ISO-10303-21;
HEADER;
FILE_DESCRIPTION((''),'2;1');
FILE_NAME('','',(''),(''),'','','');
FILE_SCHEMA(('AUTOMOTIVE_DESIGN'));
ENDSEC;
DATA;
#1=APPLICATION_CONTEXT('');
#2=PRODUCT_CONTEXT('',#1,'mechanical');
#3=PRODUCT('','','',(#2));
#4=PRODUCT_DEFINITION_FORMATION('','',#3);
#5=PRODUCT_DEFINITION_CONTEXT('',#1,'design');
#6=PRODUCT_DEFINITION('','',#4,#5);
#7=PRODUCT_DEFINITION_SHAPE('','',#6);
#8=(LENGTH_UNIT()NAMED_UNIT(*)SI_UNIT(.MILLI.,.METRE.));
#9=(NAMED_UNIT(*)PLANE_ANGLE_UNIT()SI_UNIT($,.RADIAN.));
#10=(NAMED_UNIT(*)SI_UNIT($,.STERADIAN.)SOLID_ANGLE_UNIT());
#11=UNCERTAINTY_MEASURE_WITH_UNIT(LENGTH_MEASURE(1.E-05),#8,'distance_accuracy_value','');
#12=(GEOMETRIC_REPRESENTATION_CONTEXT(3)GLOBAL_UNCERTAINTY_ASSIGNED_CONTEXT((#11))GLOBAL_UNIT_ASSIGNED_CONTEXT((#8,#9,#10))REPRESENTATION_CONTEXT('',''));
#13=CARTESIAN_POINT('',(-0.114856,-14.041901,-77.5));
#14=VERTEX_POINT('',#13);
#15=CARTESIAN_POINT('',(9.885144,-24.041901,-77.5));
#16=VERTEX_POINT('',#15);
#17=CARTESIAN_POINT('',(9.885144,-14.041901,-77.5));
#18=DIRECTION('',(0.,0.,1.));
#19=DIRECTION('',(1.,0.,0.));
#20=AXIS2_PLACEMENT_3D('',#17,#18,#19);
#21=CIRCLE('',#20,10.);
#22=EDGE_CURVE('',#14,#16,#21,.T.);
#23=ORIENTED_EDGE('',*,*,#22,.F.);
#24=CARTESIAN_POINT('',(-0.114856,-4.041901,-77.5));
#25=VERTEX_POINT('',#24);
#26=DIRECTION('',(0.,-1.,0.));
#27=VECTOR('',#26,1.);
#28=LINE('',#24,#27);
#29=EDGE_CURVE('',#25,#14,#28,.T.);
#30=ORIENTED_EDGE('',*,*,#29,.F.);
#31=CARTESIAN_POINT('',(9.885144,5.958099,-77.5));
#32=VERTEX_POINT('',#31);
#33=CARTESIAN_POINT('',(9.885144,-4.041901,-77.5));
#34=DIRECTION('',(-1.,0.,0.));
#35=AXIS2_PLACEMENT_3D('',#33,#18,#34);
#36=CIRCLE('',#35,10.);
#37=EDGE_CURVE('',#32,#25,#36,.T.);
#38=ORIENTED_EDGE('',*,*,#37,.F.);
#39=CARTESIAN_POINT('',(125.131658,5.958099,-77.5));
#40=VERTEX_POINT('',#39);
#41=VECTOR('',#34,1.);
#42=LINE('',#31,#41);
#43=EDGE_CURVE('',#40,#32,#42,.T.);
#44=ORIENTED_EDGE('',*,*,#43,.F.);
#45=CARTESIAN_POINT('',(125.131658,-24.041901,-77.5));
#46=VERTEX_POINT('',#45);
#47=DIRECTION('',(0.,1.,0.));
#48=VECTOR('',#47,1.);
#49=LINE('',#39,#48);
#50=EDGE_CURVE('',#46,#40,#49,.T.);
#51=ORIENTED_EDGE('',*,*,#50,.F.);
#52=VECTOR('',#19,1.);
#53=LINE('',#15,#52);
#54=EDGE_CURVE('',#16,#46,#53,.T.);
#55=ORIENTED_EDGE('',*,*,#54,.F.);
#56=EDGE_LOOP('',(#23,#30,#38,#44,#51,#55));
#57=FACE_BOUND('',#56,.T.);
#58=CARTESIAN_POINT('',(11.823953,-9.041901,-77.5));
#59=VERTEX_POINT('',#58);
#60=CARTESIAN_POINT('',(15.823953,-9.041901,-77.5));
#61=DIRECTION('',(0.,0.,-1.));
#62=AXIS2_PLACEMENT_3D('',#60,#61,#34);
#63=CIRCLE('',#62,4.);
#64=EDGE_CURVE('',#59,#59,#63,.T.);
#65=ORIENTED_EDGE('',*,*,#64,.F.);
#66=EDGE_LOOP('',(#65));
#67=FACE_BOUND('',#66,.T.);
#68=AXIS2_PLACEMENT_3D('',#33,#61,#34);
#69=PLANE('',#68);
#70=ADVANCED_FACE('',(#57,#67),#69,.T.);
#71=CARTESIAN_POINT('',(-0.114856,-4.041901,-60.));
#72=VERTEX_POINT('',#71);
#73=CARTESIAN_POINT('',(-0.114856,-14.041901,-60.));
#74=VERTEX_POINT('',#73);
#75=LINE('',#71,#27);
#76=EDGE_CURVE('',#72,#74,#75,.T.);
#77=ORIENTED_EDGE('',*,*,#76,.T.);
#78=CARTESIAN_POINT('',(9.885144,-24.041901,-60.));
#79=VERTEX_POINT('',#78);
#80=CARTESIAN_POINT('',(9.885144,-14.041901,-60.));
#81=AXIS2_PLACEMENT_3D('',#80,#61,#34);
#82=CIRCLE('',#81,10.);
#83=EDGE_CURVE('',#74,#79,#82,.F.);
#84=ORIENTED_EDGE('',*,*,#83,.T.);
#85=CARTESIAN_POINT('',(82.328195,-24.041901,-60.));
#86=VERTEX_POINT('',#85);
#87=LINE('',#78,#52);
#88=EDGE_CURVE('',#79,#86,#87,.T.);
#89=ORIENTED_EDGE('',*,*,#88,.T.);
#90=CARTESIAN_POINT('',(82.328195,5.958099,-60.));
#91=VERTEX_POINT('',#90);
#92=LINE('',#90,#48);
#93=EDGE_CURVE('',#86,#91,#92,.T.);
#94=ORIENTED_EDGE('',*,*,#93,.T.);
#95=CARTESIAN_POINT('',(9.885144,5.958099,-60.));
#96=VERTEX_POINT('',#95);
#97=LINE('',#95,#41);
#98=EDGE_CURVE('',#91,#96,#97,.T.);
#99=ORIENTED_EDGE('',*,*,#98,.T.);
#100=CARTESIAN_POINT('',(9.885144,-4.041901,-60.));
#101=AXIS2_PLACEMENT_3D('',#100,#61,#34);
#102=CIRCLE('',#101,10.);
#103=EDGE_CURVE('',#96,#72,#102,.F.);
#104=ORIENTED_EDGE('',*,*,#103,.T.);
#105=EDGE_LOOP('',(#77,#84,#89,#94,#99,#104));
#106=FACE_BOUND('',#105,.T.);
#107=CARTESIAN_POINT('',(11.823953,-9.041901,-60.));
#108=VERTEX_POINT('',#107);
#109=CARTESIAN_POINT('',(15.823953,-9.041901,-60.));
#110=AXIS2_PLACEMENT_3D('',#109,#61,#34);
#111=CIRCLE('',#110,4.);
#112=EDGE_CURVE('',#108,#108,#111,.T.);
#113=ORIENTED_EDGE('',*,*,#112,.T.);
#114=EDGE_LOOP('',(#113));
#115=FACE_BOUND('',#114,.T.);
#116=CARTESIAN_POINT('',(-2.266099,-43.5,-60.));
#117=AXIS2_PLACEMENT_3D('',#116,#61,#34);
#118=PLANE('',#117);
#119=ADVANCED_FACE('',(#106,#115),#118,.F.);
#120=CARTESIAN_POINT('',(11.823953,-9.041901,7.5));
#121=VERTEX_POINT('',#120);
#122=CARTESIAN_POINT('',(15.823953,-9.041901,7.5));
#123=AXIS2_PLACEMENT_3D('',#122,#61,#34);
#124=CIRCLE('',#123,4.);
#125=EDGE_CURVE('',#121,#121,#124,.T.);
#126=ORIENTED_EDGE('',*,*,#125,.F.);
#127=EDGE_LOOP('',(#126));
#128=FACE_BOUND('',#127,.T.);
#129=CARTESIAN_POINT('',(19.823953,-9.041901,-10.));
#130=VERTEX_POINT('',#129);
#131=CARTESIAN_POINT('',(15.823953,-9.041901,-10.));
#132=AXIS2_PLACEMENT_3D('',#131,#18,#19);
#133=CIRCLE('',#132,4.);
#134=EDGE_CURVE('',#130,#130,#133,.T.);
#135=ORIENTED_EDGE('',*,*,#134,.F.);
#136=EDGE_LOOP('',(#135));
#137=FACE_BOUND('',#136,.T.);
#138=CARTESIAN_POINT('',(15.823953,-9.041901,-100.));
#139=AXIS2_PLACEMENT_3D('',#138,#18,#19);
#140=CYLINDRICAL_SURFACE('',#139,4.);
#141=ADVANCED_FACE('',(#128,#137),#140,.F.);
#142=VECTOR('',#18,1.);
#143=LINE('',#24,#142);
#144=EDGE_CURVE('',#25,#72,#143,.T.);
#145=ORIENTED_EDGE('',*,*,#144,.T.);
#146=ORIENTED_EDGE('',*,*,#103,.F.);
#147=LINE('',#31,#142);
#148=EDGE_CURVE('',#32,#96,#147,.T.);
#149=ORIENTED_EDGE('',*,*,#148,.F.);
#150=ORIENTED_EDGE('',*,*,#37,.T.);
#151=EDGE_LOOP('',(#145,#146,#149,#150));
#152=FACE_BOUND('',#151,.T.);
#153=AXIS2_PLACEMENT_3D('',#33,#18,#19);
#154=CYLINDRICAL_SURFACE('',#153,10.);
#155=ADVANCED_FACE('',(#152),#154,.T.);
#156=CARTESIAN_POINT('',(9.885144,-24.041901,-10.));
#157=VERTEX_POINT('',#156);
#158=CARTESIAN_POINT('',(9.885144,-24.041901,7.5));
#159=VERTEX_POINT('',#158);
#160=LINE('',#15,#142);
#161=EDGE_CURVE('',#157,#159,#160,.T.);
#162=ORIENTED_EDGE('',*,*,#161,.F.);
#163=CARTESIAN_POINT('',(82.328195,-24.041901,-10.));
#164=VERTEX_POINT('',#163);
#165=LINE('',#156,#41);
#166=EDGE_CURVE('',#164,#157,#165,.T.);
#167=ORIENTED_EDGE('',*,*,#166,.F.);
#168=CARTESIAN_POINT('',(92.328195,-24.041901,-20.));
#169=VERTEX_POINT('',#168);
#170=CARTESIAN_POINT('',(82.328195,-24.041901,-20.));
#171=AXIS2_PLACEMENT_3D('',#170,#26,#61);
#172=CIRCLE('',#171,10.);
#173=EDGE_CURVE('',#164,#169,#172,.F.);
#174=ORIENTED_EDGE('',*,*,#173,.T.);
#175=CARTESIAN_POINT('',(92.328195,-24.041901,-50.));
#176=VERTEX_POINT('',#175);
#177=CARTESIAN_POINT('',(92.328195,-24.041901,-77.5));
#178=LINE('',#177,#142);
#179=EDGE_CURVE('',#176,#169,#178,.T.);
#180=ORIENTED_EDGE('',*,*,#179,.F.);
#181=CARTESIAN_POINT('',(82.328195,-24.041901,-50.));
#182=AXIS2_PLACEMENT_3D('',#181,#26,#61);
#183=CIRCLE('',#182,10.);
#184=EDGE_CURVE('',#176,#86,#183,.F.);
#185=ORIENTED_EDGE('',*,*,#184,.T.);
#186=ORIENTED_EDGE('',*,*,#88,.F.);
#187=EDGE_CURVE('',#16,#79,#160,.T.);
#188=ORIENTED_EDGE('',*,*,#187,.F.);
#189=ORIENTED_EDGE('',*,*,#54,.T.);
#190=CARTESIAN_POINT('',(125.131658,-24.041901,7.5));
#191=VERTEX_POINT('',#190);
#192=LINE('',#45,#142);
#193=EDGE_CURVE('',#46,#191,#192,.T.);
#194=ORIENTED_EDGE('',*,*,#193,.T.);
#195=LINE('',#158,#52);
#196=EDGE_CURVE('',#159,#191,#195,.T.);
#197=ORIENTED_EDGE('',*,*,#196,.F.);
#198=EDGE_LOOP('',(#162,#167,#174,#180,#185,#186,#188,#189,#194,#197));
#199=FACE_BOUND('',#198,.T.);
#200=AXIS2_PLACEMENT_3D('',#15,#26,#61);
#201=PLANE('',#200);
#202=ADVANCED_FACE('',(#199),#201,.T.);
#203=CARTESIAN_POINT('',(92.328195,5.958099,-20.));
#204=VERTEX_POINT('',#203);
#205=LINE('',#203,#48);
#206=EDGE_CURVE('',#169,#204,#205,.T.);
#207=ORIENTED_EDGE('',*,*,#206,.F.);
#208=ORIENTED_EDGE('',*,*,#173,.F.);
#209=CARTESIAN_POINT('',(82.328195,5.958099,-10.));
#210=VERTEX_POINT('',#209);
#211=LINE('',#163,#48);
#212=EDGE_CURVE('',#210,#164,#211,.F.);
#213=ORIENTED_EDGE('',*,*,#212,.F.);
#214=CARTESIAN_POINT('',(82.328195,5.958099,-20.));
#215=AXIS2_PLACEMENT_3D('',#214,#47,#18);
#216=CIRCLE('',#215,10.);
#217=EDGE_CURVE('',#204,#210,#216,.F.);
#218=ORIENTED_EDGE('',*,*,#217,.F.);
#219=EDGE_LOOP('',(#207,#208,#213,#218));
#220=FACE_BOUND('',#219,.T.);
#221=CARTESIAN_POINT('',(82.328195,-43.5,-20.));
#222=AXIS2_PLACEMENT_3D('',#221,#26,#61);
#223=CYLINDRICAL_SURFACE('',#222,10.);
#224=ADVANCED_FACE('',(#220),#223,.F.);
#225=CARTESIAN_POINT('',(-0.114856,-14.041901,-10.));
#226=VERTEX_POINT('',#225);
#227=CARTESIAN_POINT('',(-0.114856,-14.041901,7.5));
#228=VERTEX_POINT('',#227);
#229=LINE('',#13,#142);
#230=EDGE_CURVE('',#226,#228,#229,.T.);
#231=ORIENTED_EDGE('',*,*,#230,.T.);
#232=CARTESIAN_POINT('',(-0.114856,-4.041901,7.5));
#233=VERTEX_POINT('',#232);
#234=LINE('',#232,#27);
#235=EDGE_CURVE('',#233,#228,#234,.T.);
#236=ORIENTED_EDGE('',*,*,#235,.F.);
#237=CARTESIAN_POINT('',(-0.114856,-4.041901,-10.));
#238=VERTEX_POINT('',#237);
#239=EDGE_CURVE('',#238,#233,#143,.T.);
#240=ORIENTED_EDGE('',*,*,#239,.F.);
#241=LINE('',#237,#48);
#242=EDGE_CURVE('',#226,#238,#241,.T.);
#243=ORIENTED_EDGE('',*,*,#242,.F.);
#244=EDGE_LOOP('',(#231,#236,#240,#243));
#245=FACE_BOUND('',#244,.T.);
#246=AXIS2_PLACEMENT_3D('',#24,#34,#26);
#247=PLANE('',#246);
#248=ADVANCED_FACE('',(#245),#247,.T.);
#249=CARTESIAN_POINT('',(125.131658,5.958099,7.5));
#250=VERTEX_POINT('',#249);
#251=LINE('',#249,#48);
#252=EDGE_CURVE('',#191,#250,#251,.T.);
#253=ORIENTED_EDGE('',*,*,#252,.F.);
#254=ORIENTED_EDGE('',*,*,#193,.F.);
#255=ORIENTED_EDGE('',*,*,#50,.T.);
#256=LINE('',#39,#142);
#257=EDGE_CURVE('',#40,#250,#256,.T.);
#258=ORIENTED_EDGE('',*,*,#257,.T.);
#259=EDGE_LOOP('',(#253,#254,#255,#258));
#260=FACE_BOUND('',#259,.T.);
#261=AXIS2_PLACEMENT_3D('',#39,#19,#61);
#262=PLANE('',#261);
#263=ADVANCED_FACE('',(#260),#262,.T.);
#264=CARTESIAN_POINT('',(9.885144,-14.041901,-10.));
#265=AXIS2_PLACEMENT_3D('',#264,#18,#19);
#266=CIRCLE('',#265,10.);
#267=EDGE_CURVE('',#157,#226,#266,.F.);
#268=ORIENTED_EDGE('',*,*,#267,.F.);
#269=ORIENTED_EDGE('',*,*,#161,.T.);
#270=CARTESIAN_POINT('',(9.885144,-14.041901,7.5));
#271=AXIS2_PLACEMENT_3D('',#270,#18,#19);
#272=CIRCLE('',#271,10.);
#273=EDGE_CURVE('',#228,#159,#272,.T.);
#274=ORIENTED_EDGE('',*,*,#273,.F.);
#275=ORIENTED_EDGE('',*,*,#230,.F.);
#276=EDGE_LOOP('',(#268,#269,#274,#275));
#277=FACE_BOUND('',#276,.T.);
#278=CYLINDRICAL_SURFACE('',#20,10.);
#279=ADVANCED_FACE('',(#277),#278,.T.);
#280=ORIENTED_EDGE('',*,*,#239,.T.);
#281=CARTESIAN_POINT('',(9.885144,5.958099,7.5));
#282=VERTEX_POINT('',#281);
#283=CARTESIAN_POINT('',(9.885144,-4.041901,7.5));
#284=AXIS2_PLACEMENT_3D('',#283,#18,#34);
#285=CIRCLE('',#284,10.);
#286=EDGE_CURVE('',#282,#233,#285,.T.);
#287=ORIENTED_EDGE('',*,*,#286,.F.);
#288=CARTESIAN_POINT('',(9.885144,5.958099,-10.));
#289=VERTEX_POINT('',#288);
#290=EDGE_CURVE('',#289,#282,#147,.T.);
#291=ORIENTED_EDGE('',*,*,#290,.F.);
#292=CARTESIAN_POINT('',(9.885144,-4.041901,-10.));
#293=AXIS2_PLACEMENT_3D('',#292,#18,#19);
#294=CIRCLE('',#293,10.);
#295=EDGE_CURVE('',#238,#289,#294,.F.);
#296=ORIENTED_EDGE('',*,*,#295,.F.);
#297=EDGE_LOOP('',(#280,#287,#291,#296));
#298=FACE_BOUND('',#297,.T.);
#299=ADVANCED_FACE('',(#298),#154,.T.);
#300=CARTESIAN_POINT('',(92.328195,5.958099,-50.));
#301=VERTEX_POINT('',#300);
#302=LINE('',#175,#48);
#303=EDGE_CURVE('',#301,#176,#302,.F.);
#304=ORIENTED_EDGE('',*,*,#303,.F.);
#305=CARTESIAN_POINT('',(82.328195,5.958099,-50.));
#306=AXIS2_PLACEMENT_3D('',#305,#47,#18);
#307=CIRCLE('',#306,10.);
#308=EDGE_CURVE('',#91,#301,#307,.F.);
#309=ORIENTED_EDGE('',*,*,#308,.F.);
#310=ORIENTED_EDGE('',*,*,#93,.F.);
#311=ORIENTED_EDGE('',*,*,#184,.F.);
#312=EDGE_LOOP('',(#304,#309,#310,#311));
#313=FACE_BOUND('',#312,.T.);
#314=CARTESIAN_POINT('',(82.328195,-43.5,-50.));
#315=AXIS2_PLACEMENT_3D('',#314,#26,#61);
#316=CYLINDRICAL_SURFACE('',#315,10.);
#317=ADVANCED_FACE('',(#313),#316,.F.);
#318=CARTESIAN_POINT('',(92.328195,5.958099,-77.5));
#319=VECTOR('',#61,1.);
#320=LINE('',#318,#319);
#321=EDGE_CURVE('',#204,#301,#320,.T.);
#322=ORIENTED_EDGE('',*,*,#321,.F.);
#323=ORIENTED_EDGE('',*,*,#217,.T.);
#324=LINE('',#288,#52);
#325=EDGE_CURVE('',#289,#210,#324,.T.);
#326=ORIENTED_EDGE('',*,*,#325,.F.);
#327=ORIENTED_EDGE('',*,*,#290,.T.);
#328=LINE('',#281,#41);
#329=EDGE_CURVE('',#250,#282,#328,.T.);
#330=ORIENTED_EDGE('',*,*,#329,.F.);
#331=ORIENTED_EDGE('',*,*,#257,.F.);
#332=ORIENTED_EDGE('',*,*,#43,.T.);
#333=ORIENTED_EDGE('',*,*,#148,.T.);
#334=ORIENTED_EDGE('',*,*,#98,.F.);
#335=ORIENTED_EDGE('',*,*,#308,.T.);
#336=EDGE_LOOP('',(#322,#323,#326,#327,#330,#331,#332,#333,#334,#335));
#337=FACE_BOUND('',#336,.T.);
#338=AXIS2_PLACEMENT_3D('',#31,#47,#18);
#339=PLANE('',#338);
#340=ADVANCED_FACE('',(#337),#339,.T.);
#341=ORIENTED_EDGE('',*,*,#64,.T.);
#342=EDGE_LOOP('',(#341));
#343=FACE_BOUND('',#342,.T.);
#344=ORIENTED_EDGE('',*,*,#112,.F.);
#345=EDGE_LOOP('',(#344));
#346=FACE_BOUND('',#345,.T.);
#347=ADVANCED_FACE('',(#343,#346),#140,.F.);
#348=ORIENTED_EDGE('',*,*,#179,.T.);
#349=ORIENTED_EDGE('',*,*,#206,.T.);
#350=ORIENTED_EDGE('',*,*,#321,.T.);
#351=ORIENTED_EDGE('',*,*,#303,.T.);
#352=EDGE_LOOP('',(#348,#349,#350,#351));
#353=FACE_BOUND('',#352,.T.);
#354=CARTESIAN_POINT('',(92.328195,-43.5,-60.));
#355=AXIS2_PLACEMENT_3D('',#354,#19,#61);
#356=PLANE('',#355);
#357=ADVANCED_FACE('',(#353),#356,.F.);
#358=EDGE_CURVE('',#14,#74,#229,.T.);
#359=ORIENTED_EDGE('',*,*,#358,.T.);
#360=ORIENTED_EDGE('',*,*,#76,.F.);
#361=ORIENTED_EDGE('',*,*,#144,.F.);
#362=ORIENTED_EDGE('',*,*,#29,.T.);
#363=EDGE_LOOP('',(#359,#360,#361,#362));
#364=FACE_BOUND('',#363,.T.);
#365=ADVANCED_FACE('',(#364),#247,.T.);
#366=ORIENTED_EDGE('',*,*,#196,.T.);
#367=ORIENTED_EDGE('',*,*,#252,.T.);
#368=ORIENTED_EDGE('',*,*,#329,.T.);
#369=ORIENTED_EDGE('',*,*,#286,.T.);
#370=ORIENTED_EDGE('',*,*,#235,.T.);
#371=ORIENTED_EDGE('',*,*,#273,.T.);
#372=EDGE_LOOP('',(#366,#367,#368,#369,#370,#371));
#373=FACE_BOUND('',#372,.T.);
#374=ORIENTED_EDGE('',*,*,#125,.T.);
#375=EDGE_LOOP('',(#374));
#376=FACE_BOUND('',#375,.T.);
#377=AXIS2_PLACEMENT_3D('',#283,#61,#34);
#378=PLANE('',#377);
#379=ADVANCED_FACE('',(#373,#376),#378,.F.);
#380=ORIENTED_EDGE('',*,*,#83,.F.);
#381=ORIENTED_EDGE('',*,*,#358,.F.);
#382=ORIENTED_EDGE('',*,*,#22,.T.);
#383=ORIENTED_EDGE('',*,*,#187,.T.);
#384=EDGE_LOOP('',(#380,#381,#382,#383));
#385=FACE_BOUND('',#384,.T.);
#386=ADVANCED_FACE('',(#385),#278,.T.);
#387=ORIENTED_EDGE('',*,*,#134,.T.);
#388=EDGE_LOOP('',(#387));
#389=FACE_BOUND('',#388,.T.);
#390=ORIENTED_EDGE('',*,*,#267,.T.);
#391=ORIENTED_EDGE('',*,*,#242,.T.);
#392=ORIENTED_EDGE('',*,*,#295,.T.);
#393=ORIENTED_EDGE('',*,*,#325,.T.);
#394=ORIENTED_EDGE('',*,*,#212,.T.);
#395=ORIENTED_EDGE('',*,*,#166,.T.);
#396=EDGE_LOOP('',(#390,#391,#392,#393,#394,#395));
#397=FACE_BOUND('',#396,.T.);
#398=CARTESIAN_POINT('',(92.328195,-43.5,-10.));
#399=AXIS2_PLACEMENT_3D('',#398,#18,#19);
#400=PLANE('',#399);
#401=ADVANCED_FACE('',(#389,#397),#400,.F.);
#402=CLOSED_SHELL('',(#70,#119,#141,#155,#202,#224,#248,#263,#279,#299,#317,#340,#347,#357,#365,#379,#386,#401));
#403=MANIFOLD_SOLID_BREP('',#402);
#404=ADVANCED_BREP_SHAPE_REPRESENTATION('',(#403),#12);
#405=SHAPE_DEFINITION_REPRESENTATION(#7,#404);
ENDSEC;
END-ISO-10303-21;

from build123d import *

# Parameters (mm, degrees)
EXTRUDE_START       = 7.5
EXTRUDE_1_DEPTH     = 85
SKETCH_3_W          = 94.594294475
SKETCH_3_H          = 50
CUT_EXTRUDE_1_DEPTH = 43.5
SKETCH_4_R          = 4
CUT_EXTRUDE_2_DEPTH = 100
FILLET_1_R          = 10


with BuildPart() as part:
    # Эскиз1 → Вытянуть1 (new body)
    with BuildSketch(Plane.XY.offset(EXTRUDE_START)):
        with BuildLine():
            Line((-0.114856082, -4.041900761), (-0.114856082, -14.041900761))
            ThreePointArc((-0.114856082, -14.041900761), (2.814076106, -21.112968573), (9.885143918, -24.041900761))
            Line((9.885143918, -24.041900761), (125.131658012, -24.041900761))
            Line((125.131658012, -24.041900761), (125.131658012, 5.958099239))
            Line((125.131658012, 5.958099239), (9.885143918, 5.958099239))
            ThreePointArc((9.885143918, 5.958099239), (2.814076106, 3.02916705), (-0.114856082, -4.041900761))
        make_face()
    extrude(amount=-EXTRUDE_1_DEPTH)

    # Эскиз3 → Вырез-Вытянуть1 (cut, symmetric)
    with BuildSketch(Plane(origin=(0, 0, 0), x_dir=(1, 0, 0), z_dir=(0, 1, 0))):
        with Locations((45.031047777, 35)):
            Rectangle(SKETCH_3_W, SKETCH_3_H)
    extrude(amount=CUT_EXTRUDE_1_DEPTH, both=True, mode=Mode.SUBTRACT)

    # Эскиз4 → Вырез-Вытянуть2 (cut, symmetric)
    with BuildSketch(Plane.XY):
        with Locations((15.823953055, -9.041900761)):
            Circle(SKETCH_4_R)
    extrude(amount=CUT_EXTRUDE_2_DEPTH, both=True, mode=Mode.SUBTRACT)

    # Скругление1
    fillet_1_edges = [part.edges().sort_by_distance(p)[0] for p in [
        (92.328195015, -9.041900761, -60),
        (92.328195015, -9.041900761, -10),
    ]]
    fillet(fillet_1_edges, radius=FILLET_1_R)


solid = part.part
